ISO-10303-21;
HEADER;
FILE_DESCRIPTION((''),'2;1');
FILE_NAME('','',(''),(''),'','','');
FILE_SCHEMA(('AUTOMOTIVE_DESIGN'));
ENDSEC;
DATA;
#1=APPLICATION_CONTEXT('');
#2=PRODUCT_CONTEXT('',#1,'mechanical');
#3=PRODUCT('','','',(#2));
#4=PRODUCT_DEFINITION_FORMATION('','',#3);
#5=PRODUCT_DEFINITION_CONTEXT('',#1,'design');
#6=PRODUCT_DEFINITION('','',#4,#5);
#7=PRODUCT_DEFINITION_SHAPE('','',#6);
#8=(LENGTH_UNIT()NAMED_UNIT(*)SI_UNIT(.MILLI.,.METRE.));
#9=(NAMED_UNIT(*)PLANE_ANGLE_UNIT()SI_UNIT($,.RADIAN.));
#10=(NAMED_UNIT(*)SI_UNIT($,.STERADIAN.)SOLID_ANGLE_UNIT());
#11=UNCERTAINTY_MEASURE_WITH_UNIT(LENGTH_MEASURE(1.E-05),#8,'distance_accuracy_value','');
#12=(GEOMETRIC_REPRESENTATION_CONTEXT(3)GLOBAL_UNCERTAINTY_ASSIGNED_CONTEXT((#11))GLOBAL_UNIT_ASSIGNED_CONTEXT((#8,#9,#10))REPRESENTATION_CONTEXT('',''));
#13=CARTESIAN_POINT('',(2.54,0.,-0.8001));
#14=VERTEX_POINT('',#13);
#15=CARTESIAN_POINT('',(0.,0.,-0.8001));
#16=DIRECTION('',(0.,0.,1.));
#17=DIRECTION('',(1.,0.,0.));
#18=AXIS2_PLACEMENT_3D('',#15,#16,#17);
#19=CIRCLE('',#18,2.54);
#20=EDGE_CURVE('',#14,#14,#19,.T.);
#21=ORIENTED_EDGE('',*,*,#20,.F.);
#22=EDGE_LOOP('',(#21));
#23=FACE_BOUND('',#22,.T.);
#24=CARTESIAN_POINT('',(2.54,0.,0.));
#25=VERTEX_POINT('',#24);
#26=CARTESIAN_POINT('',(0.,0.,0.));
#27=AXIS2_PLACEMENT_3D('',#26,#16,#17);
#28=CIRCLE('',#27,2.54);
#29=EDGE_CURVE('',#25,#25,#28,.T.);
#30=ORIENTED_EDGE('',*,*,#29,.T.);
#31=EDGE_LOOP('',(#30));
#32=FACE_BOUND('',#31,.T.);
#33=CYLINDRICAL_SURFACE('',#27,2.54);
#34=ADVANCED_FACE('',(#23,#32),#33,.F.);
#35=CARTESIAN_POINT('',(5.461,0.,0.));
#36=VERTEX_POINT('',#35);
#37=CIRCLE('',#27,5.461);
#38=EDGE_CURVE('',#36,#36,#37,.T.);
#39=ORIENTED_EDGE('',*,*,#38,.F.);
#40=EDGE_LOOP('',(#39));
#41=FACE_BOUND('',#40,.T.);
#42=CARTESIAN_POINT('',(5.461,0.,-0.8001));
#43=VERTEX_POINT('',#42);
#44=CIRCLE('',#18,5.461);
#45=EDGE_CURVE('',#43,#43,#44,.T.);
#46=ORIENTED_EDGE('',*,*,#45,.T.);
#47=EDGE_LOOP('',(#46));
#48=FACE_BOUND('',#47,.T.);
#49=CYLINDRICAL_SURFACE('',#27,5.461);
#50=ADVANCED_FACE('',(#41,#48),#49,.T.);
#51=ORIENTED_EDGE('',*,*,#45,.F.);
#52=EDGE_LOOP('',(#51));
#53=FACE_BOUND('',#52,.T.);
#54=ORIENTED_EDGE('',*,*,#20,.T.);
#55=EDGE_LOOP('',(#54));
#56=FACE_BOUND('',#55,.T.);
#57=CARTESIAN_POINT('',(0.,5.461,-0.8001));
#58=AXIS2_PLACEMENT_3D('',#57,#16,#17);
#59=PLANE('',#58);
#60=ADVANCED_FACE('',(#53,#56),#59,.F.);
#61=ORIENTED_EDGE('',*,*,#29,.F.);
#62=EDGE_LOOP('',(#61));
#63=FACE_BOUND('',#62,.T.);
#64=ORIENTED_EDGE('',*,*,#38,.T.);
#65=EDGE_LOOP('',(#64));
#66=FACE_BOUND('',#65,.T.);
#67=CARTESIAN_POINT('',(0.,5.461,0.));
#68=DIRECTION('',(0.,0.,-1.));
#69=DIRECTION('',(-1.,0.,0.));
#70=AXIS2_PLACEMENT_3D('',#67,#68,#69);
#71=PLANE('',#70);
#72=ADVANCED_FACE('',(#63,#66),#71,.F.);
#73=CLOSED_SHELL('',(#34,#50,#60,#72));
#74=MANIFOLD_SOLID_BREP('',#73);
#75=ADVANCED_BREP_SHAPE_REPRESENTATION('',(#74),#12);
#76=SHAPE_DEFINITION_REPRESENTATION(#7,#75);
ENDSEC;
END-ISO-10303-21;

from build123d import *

# Parameters (mm, degrees)
SKETCH1_W = 0.8001
SKETCH1_H = 2.921


with BuildPart() as part:
    # Sketch1 → Revolve1 (revolve)
    with BuildSketch(Plane(origin=(0, 0, 0), x_dir=(0, 0, -1), z_dir=(1, 0, 0))):
        with Locations((0.40005, 4.0005)):
            Rectangle(SKETCH1_W, SKETCH1_H)
    revolve(axis=Axis((0, 0, 0), (0, 0, -1)))


solid = part.part
